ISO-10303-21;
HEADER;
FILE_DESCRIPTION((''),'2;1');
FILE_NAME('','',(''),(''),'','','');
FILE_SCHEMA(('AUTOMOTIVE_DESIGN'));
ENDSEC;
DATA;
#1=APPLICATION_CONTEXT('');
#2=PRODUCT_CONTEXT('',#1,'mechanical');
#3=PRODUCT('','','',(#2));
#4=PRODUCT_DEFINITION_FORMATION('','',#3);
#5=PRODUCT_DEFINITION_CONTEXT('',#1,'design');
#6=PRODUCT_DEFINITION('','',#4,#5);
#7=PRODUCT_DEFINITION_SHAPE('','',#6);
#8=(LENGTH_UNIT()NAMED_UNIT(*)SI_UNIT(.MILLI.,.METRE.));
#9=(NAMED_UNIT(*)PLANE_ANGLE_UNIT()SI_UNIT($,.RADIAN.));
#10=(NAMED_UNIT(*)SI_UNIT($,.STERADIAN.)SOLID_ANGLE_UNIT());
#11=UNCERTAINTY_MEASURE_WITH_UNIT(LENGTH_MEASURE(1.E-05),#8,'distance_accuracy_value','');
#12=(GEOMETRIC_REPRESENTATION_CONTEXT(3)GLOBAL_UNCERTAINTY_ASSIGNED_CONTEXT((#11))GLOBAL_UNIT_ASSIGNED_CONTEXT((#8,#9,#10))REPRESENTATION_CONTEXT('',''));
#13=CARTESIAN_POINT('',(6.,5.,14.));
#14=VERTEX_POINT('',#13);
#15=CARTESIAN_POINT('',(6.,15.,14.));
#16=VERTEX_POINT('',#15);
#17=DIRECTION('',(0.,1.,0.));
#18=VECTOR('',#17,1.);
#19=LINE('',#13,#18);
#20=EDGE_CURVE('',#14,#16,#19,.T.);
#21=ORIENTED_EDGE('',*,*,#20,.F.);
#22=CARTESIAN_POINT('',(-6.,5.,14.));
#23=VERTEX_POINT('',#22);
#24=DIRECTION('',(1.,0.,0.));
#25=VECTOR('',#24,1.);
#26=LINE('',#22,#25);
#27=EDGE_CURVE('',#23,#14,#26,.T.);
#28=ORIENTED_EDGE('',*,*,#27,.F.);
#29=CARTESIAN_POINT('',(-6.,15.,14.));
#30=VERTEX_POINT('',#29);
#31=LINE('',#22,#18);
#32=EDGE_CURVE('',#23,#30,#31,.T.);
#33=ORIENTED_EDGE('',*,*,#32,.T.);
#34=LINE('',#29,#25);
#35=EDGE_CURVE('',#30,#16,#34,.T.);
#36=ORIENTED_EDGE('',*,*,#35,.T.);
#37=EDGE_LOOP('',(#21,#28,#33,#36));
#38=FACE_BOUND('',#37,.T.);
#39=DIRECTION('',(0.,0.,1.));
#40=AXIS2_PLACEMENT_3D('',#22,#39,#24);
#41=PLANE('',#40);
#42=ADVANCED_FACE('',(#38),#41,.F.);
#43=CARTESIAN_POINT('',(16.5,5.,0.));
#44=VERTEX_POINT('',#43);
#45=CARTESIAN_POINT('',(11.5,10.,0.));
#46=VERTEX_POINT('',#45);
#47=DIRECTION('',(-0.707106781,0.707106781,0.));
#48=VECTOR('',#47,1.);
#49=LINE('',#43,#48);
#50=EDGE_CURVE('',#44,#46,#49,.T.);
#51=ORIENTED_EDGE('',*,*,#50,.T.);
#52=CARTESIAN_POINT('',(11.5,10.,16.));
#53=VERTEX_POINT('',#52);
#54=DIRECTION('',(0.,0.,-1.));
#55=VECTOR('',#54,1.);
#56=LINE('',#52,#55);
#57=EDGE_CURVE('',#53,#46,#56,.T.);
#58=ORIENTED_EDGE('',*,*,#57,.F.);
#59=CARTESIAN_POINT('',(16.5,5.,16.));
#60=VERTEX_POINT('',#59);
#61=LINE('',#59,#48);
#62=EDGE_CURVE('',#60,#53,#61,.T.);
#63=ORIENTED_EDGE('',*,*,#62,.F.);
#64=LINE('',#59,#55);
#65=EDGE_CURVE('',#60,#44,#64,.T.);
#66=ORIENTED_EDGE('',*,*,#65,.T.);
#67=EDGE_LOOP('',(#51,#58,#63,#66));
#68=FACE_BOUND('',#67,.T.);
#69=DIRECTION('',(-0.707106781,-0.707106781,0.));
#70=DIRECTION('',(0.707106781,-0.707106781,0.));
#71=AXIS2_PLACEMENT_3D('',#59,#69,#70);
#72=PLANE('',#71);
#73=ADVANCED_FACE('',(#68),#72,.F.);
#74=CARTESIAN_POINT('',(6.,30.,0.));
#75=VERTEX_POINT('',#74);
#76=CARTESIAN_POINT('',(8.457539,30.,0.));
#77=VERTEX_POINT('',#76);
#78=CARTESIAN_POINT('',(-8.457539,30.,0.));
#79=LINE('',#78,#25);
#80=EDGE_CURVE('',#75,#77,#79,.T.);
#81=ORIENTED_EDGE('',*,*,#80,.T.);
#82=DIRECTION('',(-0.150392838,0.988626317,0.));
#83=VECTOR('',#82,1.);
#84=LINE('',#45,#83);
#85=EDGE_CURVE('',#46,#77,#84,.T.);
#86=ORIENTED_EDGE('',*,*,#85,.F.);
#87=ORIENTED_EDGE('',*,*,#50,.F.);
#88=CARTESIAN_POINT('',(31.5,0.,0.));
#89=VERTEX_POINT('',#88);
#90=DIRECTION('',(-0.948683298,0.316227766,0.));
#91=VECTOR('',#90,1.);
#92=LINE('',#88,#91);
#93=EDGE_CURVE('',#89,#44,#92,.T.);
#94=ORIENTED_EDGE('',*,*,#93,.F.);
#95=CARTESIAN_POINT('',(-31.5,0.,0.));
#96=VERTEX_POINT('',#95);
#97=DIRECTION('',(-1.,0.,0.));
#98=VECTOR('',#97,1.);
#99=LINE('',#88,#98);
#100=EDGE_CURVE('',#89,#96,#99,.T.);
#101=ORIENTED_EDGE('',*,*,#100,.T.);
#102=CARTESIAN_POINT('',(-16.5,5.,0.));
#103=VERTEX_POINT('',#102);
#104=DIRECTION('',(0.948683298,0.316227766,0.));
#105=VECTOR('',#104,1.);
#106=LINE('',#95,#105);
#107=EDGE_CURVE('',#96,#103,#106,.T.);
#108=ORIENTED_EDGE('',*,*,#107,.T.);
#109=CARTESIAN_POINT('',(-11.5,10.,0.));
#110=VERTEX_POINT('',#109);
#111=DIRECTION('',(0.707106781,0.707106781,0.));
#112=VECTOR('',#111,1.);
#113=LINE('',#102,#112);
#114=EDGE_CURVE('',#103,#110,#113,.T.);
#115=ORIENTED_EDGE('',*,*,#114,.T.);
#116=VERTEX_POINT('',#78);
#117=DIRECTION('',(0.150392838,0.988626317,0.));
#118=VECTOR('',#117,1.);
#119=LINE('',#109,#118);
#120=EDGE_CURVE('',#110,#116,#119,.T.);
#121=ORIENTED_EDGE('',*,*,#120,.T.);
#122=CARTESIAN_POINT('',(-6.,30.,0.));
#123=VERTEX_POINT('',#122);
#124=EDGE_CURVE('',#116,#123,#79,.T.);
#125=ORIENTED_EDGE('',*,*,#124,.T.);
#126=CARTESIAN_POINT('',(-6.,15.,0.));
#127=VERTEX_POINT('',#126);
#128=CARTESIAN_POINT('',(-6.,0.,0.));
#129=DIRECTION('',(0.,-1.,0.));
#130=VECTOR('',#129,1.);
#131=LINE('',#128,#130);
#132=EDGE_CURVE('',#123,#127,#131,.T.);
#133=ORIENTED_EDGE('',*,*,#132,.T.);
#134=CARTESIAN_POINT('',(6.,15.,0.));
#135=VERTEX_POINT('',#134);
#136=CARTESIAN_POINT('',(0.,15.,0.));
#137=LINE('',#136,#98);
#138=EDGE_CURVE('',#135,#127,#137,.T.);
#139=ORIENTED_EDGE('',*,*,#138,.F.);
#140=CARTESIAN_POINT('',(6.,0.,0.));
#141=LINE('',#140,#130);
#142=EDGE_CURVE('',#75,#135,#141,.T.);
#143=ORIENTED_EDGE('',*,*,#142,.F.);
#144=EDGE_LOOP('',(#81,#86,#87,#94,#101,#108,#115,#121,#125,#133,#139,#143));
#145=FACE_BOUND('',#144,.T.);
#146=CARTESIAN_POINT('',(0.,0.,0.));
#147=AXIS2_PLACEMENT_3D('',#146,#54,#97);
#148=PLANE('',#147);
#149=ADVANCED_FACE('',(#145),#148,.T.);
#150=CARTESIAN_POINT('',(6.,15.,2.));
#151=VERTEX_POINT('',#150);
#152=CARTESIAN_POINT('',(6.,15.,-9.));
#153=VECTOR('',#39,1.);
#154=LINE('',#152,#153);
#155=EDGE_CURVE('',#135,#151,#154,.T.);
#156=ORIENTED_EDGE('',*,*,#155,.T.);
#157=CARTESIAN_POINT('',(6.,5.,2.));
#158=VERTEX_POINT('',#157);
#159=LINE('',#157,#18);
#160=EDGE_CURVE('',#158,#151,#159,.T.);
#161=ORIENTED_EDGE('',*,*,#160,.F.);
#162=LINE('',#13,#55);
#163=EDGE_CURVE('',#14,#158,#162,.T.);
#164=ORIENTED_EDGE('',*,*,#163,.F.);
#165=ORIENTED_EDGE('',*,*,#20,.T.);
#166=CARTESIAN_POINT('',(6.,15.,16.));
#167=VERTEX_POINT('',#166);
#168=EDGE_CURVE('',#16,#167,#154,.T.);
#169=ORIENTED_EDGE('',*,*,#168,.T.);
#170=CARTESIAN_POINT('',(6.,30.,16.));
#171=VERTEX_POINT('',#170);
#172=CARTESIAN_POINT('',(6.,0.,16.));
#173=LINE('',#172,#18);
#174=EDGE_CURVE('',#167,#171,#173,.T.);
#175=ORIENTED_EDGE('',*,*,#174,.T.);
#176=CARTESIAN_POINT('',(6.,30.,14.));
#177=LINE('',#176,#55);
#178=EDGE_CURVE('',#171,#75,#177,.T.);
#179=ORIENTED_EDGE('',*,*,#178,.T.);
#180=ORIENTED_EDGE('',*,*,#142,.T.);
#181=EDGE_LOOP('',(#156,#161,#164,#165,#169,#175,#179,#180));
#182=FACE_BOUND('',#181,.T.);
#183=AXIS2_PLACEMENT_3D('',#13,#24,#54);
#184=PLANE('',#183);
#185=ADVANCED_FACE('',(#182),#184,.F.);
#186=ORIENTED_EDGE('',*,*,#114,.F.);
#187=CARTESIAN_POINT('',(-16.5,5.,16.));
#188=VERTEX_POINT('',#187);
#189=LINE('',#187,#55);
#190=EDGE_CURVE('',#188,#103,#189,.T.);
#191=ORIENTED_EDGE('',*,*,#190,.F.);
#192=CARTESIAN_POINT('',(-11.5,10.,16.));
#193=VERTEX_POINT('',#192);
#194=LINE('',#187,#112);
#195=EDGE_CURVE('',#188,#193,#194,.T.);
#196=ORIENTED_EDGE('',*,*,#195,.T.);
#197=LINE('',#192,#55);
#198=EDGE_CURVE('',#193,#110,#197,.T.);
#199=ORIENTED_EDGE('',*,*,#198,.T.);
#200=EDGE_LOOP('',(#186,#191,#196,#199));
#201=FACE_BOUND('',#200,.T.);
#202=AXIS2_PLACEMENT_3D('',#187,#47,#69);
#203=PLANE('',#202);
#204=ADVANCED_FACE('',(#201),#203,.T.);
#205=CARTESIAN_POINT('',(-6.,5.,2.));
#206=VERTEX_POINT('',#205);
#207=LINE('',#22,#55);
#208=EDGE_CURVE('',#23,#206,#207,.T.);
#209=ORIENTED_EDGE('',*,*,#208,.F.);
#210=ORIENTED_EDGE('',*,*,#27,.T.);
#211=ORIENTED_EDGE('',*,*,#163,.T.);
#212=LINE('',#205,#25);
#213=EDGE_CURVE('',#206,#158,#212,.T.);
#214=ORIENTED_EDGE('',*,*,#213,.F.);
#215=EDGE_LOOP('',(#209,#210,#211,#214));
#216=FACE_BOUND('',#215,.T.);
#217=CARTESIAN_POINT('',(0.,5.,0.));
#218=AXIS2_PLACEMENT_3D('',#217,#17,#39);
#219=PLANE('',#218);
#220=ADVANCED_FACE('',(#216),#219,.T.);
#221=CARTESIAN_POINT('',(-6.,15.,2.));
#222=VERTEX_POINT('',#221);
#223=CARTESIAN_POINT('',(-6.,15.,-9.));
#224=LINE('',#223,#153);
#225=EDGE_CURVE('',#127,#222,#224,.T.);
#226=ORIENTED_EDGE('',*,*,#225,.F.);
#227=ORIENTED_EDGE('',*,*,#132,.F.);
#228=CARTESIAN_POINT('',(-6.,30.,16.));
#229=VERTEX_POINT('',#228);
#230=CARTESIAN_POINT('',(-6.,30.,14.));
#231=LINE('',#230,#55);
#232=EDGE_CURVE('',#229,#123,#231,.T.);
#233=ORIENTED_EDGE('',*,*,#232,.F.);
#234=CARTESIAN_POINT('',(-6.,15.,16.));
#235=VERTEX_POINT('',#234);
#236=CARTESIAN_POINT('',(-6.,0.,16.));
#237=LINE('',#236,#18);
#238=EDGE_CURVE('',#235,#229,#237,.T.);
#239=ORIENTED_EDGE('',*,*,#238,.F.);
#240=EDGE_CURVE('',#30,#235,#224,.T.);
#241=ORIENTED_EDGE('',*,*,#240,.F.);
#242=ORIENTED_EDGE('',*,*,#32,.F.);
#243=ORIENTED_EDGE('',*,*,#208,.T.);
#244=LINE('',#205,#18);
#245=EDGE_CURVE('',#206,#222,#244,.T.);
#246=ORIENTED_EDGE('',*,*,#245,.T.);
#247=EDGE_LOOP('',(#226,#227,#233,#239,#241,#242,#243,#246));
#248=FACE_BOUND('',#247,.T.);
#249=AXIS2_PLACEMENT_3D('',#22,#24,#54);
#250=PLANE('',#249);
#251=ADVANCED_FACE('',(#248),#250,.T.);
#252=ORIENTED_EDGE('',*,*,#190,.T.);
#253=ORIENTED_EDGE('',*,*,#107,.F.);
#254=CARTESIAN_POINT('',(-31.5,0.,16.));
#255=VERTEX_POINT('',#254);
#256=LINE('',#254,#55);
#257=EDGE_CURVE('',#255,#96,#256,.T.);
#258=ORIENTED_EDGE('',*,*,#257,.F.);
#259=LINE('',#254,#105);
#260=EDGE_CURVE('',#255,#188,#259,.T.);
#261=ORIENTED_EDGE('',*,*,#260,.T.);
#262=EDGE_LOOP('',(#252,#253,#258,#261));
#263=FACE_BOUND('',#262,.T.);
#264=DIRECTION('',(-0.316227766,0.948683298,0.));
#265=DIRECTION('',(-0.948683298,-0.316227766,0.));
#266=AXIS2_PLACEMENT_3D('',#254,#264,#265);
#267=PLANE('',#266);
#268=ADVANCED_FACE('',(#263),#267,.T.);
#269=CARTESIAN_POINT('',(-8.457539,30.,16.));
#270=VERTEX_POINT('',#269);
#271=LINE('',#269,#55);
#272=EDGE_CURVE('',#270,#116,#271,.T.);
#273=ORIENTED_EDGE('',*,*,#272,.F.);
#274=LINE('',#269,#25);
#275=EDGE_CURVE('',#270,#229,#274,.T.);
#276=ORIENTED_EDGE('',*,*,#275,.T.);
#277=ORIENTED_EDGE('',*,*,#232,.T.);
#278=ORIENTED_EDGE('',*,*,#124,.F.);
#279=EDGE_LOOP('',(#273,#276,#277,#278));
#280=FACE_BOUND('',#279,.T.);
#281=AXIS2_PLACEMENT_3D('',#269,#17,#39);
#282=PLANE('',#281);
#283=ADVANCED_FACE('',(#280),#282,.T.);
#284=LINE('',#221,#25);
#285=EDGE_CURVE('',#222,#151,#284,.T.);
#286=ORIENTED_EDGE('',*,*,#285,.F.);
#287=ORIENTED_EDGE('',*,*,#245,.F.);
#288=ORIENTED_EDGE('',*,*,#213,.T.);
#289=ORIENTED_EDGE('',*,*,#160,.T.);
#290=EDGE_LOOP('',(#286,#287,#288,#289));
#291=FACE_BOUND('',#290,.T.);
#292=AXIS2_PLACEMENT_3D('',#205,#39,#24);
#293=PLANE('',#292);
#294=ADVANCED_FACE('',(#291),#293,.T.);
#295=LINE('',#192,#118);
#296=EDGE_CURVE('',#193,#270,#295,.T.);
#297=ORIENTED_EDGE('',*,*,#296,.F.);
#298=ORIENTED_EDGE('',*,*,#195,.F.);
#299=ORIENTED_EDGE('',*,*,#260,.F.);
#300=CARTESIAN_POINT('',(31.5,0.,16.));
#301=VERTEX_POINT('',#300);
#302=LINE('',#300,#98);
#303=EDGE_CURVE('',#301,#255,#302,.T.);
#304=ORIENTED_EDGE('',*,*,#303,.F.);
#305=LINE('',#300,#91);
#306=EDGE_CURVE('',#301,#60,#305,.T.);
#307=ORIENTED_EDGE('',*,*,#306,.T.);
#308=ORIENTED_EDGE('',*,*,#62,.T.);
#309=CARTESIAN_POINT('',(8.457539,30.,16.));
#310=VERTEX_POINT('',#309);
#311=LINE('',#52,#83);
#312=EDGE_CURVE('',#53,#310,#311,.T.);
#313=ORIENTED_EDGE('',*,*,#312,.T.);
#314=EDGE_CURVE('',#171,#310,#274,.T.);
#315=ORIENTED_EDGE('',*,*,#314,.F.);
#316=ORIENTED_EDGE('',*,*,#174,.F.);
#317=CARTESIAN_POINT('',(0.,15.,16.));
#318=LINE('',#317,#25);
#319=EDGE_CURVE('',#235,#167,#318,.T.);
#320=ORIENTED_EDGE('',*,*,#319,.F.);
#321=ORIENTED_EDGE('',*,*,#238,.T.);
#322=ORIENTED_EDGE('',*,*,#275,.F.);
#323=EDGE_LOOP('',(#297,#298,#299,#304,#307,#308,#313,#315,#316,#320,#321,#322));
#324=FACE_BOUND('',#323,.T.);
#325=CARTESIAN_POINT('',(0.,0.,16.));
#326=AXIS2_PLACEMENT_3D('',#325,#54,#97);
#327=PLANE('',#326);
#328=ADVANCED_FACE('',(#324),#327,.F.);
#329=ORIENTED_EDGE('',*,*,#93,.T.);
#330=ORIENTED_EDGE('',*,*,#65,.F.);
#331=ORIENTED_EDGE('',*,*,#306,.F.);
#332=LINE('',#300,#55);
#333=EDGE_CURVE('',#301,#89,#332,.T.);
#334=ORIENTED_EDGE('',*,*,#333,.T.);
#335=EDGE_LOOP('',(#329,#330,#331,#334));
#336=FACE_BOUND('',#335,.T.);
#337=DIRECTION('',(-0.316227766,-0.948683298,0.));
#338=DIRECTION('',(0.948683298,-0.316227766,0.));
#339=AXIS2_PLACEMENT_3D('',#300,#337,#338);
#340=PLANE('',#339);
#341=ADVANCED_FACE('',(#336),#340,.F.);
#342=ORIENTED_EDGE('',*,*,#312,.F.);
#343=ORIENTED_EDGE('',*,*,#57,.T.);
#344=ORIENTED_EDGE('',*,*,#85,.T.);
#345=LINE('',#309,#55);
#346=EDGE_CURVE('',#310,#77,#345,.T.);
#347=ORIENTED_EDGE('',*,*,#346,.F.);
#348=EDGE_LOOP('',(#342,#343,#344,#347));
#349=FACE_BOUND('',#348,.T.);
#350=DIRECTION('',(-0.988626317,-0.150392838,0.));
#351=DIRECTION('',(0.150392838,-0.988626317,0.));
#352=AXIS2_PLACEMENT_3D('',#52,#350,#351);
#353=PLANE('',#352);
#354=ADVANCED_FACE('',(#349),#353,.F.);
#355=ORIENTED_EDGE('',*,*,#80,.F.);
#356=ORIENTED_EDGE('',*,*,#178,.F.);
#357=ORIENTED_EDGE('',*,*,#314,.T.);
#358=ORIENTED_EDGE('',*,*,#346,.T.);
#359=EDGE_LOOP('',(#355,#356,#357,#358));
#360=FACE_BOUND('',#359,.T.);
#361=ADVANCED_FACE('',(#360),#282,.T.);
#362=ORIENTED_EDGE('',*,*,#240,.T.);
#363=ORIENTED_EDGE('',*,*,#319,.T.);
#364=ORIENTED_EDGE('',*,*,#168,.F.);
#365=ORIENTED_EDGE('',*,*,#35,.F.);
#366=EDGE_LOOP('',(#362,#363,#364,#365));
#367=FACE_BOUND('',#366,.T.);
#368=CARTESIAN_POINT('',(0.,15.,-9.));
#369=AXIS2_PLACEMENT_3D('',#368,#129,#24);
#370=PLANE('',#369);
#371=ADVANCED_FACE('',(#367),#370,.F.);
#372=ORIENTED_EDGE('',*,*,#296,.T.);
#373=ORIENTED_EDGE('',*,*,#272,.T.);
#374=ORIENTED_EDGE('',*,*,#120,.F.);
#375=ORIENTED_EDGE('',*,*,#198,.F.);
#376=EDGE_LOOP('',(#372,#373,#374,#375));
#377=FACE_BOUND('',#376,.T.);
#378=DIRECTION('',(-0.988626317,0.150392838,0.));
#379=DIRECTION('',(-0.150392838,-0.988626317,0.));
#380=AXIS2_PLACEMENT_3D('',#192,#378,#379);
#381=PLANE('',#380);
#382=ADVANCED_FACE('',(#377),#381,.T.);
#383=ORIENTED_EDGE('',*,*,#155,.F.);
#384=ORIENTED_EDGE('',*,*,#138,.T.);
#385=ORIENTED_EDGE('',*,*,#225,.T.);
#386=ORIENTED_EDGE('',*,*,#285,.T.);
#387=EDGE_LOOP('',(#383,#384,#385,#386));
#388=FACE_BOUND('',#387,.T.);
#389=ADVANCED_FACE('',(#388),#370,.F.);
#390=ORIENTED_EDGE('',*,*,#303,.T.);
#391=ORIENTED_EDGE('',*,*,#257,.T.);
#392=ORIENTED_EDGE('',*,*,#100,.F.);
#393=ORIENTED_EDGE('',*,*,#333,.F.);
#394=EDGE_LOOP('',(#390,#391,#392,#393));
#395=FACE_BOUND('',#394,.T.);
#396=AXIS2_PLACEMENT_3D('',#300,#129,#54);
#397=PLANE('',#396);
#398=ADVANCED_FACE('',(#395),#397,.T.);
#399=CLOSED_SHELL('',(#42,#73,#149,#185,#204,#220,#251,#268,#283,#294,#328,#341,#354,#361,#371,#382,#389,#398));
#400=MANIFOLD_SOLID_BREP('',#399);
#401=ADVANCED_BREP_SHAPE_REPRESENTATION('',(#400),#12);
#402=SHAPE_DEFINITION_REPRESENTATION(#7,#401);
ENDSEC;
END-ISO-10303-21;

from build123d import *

# Parameters (mm, degrees)
EXTRUDE_2_DEPTH     = 16
SKETCH_3_W          = 12
SKETCH_3_H          = 12
CUT_EXTRUDE_3_DEPTH = 25
SKETCH_6_W          = 6
SKETCH_6_H          = 15
CUT_EXTRUDE_4_DEPTH = 25


with BuildPart() as part:
    # 스케치1 → 보스-돌출2 (new body)
    with BuildSketch(Plane.XY):
        Polygon((31.5, 0), (-31.5, 0), (-16.5, 5), (-11.5, 10), (-8.457539251, 30), (8.457539251, 30), (11.5, 10), (16.5, 5), align=None)
    extrude(amount=EXTRUDE_2_DEPTH)

    # 스케치3 → 컷-돌출3 (cut)
    with BuildSketch(Plane(origin=(0, 30, 0), x_dir=(1, 0, 0), z_dir=(0, 1, 0))):
        with Locations((0, -8)):
            Rectangle(SKETCH_3_W, SKETCH_3_H)
    extrude(amount=-CUT_EXTRUDE_3_DEPTH, mode=Mode.SUBTRACT)

    # 스케치6 → 컷-돌출4 (cut)
    with BuildSketch(Plane.XY.offset(16)):
        with Locations((3, 22.5)):
            Rectangle(SKETCH_6_W, SKETCH_6_H)
        with Locations((-3, 22.5)):
            Rectangle(SKETCH_6_W, SKETCH_6_H)
    extrude(amount=-CUT_EXTRUDE_4_DEPTH, mode=Mode.SUBTRACT)


solid = part.part
